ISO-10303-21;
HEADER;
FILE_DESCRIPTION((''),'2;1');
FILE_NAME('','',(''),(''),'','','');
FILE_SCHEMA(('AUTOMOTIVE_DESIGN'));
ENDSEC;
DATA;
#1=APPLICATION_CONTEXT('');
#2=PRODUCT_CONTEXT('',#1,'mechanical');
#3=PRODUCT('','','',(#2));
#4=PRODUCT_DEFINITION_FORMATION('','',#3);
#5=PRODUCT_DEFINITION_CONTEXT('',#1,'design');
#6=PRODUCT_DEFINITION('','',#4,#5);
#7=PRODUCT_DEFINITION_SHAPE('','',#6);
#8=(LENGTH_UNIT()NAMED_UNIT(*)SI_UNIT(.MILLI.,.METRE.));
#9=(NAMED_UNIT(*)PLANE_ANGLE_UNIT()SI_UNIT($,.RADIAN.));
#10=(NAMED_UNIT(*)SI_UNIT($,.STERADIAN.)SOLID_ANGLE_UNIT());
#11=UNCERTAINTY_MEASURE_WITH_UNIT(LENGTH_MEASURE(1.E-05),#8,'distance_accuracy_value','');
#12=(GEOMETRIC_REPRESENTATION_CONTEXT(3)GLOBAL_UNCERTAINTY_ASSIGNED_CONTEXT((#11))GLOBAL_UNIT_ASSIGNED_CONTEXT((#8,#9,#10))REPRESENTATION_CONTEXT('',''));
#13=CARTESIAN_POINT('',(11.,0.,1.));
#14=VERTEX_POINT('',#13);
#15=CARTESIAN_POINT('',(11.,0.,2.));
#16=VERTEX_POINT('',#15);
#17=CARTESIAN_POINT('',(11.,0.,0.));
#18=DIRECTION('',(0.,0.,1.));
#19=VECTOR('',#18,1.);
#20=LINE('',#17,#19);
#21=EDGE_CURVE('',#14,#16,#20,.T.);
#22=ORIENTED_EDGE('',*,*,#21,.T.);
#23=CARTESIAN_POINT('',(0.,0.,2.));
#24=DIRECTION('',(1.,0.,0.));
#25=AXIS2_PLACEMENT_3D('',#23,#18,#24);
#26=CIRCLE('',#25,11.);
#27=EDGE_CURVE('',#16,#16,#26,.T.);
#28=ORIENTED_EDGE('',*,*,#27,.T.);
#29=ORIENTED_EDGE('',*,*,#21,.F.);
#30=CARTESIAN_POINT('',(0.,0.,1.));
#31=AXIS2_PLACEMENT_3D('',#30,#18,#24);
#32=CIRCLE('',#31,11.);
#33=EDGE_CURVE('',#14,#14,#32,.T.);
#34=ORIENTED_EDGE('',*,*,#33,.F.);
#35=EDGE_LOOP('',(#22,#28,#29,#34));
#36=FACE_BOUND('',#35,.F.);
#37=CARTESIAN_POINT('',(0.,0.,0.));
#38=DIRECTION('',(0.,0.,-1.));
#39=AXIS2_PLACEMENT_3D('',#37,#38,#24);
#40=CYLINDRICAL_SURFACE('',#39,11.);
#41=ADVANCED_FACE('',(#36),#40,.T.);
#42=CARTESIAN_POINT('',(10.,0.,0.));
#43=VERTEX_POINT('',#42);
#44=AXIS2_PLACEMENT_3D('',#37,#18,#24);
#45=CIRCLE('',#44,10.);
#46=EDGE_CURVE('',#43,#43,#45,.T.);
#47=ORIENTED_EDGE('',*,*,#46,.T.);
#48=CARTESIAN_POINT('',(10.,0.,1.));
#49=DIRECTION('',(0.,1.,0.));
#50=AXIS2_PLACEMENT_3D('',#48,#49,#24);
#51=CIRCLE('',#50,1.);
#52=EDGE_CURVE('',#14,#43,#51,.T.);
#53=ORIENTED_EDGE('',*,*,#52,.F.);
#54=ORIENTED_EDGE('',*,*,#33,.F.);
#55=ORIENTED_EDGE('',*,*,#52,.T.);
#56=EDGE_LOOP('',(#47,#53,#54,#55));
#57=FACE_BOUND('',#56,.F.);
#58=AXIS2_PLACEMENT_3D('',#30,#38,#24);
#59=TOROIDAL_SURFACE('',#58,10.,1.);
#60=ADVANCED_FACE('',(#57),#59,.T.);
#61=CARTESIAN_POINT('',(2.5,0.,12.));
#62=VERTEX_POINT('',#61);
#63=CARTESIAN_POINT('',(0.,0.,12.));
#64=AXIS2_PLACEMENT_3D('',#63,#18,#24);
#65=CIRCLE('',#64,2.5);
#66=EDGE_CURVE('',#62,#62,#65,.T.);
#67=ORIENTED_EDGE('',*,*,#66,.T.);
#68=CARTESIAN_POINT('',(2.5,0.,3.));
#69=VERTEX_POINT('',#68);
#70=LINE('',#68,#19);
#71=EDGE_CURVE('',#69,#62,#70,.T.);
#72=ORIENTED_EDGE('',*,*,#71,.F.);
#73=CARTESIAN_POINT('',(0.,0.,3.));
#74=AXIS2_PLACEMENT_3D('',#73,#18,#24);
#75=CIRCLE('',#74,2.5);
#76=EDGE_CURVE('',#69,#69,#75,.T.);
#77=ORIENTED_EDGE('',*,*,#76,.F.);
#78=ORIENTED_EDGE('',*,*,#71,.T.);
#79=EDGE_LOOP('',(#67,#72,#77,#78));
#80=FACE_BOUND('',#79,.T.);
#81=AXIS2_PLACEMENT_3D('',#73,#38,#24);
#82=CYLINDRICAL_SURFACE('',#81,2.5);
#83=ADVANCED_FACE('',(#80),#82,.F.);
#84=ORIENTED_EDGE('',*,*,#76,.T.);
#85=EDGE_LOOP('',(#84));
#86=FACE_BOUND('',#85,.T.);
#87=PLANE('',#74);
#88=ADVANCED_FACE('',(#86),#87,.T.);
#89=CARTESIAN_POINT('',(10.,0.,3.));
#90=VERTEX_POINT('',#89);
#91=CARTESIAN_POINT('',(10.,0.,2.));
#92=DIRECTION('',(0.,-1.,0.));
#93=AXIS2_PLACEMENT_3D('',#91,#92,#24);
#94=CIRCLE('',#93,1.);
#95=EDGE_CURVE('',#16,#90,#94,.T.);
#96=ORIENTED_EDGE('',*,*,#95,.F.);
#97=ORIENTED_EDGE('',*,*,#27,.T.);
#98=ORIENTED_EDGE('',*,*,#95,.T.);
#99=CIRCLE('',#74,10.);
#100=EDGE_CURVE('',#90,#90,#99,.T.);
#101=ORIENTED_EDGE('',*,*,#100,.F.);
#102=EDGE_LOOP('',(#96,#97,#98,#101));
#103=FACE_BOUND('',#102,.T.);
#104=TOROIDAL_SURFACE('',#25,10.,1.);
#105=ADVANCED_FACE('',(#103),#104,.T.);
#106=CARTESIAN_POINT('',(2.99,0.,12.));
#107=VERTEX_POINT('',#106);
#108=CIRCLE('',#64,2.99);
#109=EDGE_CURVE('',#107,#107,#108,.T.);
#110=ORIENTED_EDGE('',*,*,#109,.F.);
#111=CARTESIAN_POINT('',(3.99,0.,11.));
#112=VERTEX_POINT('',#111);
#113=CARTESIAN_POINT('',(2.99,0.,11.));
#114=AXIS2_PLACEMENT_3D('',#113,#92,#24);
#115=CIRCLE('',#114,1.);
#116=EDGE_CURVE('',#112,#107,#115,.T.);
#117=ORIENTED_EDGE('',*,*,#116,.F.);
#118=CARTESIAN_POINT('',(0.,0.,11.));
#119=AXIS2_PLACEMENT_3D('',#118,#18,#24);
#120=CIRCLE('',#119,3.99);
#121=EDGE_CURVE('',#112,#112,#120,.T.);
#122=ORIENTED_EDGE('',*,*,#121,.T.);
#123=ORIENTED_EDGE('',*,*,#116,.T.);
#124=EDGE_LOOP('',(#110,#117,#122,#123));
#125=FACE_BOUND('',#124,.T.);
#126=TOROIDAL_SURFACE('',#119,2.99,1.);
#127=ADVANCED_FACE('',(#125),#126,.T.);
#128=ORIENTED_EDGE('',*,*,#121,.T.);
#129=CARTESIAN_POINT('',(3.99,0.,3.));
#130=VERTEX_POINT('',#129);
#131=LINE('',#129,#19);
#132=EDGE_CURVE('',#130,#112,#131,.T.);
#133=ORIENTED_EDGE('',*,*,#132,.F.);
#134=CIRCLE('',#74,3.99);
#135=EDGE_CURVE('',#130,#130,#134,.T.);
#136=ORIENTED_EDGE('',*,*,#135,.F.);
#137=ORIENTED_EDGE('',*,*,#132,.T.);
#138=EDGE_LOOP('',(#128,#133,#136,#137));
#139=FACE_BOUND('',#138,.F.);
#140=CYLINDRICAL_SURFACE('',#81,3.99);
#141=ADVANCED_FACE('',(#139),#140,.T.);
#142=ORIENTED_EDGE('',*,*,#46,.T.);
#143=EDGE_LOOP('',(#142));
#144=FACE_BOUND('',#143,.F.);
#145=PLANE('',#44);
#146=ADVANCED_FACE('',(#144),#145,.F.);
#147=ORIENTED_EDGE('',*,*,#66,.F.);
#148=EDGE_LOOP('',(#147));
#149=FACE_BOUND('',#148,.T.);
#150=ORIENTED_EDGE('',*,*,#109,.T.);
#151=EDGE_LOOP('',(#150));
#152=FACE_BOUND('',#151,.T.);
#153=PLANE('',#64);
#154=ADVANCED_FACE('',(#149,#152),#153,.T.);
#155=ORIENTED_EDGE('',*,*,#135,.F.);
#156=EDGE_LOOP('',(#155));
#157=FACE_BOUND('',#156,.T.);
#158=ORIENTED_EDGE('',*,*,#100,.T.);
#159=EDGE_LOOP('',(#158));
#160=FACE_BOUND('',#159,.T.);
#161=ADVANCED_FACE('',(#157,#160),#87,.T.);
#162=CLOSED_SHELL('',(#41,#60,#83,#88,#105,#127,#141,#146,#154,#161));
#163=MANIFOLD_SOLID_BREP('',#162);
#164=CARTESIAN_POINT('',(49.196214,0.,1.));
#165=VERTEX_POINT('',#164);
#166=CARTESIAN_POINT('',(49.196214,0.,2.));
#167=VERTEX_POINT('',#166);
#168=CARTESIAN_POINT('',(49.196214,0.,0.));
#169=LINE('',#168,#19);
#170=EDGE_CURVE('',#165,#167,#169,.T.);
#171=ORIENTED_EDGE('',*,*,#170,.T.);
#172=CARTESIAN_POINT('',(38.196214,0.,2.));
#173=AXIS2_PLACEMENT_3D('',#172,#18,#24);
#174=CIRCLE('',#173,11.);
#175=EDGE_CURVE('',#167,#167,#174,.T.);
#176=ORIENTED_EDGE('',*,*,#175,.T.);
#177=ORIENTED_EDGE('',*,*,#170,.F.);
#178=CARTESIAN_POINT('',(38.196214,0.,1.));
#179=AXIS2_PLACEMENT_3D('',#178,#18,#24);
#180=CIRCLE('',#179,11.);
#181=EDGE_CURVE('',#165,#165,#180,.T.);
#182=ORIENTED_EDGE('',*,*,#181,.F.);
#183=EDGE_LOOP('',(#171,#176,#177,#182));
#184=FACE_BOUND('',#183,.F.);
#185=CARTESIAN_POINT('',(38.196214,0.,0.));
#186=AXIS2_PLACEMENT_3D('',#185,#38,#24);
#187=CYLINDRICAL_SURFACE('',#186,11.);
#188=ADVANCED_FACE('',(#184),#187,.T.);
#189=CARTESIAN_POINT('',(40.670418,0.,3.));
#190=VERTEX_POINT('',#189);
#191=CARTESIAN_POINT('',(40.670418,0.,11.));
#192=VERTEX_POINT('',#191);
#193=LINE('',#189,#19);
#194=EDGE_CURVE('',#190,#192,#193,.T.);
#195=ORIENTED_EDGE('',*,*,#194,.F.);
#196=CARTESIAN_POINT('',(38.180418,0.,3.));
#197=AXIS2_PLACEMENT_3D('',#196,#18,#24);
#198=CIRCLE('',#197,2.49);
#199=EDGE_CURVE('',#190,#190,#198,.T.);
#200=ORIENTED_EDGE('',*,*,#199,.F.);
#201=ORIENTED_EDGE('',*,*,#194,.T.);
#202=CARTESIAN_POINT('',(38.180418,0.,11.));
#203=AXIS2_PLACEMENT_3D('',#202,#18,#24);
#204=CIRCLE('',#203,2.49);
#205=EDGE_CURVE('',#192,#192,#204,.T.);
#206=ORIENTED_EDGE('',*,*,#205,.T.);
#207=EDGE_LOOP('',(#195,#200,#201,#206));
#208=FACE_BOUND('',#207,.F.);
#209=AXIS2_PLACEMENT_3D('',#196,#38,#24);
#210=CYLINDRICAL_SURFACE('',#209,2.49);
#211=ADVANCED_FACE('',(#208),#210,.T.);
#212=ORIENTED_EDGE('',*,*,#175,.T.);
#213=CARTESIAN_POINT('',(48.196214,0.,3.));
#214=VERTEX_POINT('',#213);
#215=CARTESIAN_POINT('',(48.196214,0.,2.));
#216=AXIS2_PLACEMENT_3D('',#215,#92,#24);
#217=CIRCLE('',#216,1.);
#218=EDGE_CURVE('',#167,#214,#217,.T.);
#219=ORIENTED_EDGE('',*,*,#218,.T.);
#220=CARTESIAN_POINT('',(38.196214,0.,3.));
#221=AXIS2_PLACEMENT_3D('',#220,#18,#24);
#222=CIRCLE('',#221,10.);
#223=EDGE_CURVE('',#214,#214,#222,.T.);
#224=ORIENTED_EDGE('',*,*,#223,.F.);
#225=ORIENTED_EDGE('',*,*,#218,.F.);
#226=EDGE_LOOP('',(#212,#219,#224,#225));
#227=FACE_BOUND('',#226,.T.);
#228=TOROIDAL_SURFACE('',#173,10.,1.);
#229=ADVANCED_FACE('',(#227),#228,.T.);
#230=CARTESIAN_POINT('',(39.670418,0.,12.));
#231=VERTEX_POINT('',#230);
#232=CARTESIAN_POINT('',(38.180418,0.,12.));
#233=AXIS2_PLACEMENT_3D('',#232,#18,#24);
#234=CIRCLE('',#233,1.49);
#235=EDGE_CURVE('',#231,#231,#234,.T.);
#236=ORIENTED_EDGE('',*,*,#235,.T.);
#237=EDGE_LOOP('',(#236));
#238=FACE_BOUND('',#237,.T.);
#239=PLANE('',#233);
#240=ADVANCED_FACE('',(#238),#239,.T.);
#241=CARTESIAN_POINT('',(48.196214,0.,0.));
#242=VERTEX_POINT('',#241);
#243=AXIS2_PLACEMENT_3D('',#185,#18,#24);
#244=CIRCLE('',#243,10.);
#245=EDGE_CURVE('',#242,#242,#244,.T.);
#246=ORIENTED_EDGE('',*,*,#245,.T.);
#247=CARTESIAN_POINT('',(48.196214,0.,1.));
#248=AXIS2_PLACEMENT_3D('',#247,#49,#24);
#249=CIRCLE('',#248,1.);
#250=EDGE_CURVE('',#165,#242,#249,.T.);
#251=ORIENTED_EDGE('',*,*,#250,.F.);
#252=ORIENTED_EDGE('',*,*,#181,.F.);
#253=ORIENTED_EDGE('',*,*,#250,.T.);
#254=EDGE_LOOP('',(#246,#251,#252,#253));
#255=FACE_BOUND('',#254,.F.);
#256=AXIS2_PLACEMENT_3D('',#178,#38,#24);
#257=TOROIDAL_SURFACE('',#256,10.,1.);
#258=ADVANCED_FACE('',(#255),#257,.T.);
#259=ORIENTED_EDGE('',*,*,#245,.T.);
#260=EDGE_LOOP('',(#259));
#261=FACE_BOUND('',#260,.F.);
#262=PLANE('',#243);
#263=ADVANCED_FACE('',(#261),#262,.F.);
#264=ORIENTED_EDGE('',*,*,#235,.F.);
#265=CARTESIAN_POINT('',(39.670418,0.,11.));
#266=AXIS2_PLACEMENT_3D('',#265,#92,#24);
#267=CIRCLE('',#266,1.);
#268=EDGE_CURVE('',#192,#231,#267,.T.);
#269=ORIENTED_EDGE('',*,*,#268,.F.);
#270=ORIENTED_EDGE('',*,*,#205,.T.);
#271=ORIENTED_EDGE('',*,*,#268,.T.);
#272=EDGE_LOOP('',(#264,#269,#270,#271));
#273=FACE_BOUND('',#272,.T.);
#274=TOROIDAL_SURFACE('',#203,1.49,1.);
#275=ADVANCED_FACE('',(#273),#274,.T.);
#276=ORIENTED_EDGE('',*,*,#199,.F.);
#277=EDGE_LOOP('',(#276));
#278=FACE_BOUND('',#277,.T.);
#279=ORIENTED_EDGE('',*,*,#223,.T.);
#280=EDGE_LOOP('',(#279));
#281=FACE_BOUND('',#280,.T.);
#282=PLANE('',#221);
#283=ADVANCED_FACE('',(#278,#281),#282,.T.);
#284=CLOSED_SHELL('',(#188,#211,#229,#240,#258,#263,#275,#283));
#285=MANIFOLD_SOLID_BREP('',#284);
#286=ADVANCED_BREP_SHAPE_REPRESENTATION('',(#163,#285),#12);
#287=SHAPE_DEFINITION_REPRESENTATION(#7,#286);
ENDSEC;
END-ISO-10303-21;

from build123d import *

# Parameters (mm, degrees)
F0_R     = 11
F1_DEPTH = 3
F3_R     = 3.99
F3_R_2   = 2.5
F4_DEPTH = 9
F3_R_3   = 2.49
F5_R     = 1
F5_2_R   = 1


with BuildPart() as f1:
    # F0 (on Top) → F1 (new body)
    with BuildSketch(Plane.XY):
        with Locations((38.1962135434, 0)):
            Circle(F0_R)
    extrude(amount=F1_DEPTH)

    # F3 (on mid) → F4, piece 2 (join)
    with BuildSketch(Plane.XY.offset(3)):
        with Locations((38.1804183125, 0)):
            Circle(F3_R_3)
    extrude(amount=F4_DEPTH)

    # F5#2
    f5_2_edges = [f1.edges().sort_by_distance(p)[0] for p in [
        (27.196214, 0, 3),
        (49.196214, 0, 1.5),
        (27.196214, 0, 0),
        (35.690418, 0, 12),
    ]]
    fillet(f5_2_edges, radius=F5_2_R)


with BuildPart() as f1b:
    # F0 (on Top) → F1, piece 2 (new body)
    with BuildSketch(Plane.XY):
        Circle(F0_R)
    extrude(amount=F1_DEPTH)

    # F3 (on mid) → F4 (join)
    with BuildSketch(Plane.XY.offset(3)):
        Circle(F3_R)
        Circle(F3_R_2, mode=Mode.SUBTRACT)
    extrude(amount=F4_DEPTH)

    # F5
    f5_edges = [f1b.edges().sort_by_distance(p)[0] for p in [
        (-11, 0, 0),
        (-11, 0, 3),
        (-3.99, 0, 12),
    ]]
    fillet(f5_edges, radius=F5_R)


solid = Compound([f1.part, f1b.part])
